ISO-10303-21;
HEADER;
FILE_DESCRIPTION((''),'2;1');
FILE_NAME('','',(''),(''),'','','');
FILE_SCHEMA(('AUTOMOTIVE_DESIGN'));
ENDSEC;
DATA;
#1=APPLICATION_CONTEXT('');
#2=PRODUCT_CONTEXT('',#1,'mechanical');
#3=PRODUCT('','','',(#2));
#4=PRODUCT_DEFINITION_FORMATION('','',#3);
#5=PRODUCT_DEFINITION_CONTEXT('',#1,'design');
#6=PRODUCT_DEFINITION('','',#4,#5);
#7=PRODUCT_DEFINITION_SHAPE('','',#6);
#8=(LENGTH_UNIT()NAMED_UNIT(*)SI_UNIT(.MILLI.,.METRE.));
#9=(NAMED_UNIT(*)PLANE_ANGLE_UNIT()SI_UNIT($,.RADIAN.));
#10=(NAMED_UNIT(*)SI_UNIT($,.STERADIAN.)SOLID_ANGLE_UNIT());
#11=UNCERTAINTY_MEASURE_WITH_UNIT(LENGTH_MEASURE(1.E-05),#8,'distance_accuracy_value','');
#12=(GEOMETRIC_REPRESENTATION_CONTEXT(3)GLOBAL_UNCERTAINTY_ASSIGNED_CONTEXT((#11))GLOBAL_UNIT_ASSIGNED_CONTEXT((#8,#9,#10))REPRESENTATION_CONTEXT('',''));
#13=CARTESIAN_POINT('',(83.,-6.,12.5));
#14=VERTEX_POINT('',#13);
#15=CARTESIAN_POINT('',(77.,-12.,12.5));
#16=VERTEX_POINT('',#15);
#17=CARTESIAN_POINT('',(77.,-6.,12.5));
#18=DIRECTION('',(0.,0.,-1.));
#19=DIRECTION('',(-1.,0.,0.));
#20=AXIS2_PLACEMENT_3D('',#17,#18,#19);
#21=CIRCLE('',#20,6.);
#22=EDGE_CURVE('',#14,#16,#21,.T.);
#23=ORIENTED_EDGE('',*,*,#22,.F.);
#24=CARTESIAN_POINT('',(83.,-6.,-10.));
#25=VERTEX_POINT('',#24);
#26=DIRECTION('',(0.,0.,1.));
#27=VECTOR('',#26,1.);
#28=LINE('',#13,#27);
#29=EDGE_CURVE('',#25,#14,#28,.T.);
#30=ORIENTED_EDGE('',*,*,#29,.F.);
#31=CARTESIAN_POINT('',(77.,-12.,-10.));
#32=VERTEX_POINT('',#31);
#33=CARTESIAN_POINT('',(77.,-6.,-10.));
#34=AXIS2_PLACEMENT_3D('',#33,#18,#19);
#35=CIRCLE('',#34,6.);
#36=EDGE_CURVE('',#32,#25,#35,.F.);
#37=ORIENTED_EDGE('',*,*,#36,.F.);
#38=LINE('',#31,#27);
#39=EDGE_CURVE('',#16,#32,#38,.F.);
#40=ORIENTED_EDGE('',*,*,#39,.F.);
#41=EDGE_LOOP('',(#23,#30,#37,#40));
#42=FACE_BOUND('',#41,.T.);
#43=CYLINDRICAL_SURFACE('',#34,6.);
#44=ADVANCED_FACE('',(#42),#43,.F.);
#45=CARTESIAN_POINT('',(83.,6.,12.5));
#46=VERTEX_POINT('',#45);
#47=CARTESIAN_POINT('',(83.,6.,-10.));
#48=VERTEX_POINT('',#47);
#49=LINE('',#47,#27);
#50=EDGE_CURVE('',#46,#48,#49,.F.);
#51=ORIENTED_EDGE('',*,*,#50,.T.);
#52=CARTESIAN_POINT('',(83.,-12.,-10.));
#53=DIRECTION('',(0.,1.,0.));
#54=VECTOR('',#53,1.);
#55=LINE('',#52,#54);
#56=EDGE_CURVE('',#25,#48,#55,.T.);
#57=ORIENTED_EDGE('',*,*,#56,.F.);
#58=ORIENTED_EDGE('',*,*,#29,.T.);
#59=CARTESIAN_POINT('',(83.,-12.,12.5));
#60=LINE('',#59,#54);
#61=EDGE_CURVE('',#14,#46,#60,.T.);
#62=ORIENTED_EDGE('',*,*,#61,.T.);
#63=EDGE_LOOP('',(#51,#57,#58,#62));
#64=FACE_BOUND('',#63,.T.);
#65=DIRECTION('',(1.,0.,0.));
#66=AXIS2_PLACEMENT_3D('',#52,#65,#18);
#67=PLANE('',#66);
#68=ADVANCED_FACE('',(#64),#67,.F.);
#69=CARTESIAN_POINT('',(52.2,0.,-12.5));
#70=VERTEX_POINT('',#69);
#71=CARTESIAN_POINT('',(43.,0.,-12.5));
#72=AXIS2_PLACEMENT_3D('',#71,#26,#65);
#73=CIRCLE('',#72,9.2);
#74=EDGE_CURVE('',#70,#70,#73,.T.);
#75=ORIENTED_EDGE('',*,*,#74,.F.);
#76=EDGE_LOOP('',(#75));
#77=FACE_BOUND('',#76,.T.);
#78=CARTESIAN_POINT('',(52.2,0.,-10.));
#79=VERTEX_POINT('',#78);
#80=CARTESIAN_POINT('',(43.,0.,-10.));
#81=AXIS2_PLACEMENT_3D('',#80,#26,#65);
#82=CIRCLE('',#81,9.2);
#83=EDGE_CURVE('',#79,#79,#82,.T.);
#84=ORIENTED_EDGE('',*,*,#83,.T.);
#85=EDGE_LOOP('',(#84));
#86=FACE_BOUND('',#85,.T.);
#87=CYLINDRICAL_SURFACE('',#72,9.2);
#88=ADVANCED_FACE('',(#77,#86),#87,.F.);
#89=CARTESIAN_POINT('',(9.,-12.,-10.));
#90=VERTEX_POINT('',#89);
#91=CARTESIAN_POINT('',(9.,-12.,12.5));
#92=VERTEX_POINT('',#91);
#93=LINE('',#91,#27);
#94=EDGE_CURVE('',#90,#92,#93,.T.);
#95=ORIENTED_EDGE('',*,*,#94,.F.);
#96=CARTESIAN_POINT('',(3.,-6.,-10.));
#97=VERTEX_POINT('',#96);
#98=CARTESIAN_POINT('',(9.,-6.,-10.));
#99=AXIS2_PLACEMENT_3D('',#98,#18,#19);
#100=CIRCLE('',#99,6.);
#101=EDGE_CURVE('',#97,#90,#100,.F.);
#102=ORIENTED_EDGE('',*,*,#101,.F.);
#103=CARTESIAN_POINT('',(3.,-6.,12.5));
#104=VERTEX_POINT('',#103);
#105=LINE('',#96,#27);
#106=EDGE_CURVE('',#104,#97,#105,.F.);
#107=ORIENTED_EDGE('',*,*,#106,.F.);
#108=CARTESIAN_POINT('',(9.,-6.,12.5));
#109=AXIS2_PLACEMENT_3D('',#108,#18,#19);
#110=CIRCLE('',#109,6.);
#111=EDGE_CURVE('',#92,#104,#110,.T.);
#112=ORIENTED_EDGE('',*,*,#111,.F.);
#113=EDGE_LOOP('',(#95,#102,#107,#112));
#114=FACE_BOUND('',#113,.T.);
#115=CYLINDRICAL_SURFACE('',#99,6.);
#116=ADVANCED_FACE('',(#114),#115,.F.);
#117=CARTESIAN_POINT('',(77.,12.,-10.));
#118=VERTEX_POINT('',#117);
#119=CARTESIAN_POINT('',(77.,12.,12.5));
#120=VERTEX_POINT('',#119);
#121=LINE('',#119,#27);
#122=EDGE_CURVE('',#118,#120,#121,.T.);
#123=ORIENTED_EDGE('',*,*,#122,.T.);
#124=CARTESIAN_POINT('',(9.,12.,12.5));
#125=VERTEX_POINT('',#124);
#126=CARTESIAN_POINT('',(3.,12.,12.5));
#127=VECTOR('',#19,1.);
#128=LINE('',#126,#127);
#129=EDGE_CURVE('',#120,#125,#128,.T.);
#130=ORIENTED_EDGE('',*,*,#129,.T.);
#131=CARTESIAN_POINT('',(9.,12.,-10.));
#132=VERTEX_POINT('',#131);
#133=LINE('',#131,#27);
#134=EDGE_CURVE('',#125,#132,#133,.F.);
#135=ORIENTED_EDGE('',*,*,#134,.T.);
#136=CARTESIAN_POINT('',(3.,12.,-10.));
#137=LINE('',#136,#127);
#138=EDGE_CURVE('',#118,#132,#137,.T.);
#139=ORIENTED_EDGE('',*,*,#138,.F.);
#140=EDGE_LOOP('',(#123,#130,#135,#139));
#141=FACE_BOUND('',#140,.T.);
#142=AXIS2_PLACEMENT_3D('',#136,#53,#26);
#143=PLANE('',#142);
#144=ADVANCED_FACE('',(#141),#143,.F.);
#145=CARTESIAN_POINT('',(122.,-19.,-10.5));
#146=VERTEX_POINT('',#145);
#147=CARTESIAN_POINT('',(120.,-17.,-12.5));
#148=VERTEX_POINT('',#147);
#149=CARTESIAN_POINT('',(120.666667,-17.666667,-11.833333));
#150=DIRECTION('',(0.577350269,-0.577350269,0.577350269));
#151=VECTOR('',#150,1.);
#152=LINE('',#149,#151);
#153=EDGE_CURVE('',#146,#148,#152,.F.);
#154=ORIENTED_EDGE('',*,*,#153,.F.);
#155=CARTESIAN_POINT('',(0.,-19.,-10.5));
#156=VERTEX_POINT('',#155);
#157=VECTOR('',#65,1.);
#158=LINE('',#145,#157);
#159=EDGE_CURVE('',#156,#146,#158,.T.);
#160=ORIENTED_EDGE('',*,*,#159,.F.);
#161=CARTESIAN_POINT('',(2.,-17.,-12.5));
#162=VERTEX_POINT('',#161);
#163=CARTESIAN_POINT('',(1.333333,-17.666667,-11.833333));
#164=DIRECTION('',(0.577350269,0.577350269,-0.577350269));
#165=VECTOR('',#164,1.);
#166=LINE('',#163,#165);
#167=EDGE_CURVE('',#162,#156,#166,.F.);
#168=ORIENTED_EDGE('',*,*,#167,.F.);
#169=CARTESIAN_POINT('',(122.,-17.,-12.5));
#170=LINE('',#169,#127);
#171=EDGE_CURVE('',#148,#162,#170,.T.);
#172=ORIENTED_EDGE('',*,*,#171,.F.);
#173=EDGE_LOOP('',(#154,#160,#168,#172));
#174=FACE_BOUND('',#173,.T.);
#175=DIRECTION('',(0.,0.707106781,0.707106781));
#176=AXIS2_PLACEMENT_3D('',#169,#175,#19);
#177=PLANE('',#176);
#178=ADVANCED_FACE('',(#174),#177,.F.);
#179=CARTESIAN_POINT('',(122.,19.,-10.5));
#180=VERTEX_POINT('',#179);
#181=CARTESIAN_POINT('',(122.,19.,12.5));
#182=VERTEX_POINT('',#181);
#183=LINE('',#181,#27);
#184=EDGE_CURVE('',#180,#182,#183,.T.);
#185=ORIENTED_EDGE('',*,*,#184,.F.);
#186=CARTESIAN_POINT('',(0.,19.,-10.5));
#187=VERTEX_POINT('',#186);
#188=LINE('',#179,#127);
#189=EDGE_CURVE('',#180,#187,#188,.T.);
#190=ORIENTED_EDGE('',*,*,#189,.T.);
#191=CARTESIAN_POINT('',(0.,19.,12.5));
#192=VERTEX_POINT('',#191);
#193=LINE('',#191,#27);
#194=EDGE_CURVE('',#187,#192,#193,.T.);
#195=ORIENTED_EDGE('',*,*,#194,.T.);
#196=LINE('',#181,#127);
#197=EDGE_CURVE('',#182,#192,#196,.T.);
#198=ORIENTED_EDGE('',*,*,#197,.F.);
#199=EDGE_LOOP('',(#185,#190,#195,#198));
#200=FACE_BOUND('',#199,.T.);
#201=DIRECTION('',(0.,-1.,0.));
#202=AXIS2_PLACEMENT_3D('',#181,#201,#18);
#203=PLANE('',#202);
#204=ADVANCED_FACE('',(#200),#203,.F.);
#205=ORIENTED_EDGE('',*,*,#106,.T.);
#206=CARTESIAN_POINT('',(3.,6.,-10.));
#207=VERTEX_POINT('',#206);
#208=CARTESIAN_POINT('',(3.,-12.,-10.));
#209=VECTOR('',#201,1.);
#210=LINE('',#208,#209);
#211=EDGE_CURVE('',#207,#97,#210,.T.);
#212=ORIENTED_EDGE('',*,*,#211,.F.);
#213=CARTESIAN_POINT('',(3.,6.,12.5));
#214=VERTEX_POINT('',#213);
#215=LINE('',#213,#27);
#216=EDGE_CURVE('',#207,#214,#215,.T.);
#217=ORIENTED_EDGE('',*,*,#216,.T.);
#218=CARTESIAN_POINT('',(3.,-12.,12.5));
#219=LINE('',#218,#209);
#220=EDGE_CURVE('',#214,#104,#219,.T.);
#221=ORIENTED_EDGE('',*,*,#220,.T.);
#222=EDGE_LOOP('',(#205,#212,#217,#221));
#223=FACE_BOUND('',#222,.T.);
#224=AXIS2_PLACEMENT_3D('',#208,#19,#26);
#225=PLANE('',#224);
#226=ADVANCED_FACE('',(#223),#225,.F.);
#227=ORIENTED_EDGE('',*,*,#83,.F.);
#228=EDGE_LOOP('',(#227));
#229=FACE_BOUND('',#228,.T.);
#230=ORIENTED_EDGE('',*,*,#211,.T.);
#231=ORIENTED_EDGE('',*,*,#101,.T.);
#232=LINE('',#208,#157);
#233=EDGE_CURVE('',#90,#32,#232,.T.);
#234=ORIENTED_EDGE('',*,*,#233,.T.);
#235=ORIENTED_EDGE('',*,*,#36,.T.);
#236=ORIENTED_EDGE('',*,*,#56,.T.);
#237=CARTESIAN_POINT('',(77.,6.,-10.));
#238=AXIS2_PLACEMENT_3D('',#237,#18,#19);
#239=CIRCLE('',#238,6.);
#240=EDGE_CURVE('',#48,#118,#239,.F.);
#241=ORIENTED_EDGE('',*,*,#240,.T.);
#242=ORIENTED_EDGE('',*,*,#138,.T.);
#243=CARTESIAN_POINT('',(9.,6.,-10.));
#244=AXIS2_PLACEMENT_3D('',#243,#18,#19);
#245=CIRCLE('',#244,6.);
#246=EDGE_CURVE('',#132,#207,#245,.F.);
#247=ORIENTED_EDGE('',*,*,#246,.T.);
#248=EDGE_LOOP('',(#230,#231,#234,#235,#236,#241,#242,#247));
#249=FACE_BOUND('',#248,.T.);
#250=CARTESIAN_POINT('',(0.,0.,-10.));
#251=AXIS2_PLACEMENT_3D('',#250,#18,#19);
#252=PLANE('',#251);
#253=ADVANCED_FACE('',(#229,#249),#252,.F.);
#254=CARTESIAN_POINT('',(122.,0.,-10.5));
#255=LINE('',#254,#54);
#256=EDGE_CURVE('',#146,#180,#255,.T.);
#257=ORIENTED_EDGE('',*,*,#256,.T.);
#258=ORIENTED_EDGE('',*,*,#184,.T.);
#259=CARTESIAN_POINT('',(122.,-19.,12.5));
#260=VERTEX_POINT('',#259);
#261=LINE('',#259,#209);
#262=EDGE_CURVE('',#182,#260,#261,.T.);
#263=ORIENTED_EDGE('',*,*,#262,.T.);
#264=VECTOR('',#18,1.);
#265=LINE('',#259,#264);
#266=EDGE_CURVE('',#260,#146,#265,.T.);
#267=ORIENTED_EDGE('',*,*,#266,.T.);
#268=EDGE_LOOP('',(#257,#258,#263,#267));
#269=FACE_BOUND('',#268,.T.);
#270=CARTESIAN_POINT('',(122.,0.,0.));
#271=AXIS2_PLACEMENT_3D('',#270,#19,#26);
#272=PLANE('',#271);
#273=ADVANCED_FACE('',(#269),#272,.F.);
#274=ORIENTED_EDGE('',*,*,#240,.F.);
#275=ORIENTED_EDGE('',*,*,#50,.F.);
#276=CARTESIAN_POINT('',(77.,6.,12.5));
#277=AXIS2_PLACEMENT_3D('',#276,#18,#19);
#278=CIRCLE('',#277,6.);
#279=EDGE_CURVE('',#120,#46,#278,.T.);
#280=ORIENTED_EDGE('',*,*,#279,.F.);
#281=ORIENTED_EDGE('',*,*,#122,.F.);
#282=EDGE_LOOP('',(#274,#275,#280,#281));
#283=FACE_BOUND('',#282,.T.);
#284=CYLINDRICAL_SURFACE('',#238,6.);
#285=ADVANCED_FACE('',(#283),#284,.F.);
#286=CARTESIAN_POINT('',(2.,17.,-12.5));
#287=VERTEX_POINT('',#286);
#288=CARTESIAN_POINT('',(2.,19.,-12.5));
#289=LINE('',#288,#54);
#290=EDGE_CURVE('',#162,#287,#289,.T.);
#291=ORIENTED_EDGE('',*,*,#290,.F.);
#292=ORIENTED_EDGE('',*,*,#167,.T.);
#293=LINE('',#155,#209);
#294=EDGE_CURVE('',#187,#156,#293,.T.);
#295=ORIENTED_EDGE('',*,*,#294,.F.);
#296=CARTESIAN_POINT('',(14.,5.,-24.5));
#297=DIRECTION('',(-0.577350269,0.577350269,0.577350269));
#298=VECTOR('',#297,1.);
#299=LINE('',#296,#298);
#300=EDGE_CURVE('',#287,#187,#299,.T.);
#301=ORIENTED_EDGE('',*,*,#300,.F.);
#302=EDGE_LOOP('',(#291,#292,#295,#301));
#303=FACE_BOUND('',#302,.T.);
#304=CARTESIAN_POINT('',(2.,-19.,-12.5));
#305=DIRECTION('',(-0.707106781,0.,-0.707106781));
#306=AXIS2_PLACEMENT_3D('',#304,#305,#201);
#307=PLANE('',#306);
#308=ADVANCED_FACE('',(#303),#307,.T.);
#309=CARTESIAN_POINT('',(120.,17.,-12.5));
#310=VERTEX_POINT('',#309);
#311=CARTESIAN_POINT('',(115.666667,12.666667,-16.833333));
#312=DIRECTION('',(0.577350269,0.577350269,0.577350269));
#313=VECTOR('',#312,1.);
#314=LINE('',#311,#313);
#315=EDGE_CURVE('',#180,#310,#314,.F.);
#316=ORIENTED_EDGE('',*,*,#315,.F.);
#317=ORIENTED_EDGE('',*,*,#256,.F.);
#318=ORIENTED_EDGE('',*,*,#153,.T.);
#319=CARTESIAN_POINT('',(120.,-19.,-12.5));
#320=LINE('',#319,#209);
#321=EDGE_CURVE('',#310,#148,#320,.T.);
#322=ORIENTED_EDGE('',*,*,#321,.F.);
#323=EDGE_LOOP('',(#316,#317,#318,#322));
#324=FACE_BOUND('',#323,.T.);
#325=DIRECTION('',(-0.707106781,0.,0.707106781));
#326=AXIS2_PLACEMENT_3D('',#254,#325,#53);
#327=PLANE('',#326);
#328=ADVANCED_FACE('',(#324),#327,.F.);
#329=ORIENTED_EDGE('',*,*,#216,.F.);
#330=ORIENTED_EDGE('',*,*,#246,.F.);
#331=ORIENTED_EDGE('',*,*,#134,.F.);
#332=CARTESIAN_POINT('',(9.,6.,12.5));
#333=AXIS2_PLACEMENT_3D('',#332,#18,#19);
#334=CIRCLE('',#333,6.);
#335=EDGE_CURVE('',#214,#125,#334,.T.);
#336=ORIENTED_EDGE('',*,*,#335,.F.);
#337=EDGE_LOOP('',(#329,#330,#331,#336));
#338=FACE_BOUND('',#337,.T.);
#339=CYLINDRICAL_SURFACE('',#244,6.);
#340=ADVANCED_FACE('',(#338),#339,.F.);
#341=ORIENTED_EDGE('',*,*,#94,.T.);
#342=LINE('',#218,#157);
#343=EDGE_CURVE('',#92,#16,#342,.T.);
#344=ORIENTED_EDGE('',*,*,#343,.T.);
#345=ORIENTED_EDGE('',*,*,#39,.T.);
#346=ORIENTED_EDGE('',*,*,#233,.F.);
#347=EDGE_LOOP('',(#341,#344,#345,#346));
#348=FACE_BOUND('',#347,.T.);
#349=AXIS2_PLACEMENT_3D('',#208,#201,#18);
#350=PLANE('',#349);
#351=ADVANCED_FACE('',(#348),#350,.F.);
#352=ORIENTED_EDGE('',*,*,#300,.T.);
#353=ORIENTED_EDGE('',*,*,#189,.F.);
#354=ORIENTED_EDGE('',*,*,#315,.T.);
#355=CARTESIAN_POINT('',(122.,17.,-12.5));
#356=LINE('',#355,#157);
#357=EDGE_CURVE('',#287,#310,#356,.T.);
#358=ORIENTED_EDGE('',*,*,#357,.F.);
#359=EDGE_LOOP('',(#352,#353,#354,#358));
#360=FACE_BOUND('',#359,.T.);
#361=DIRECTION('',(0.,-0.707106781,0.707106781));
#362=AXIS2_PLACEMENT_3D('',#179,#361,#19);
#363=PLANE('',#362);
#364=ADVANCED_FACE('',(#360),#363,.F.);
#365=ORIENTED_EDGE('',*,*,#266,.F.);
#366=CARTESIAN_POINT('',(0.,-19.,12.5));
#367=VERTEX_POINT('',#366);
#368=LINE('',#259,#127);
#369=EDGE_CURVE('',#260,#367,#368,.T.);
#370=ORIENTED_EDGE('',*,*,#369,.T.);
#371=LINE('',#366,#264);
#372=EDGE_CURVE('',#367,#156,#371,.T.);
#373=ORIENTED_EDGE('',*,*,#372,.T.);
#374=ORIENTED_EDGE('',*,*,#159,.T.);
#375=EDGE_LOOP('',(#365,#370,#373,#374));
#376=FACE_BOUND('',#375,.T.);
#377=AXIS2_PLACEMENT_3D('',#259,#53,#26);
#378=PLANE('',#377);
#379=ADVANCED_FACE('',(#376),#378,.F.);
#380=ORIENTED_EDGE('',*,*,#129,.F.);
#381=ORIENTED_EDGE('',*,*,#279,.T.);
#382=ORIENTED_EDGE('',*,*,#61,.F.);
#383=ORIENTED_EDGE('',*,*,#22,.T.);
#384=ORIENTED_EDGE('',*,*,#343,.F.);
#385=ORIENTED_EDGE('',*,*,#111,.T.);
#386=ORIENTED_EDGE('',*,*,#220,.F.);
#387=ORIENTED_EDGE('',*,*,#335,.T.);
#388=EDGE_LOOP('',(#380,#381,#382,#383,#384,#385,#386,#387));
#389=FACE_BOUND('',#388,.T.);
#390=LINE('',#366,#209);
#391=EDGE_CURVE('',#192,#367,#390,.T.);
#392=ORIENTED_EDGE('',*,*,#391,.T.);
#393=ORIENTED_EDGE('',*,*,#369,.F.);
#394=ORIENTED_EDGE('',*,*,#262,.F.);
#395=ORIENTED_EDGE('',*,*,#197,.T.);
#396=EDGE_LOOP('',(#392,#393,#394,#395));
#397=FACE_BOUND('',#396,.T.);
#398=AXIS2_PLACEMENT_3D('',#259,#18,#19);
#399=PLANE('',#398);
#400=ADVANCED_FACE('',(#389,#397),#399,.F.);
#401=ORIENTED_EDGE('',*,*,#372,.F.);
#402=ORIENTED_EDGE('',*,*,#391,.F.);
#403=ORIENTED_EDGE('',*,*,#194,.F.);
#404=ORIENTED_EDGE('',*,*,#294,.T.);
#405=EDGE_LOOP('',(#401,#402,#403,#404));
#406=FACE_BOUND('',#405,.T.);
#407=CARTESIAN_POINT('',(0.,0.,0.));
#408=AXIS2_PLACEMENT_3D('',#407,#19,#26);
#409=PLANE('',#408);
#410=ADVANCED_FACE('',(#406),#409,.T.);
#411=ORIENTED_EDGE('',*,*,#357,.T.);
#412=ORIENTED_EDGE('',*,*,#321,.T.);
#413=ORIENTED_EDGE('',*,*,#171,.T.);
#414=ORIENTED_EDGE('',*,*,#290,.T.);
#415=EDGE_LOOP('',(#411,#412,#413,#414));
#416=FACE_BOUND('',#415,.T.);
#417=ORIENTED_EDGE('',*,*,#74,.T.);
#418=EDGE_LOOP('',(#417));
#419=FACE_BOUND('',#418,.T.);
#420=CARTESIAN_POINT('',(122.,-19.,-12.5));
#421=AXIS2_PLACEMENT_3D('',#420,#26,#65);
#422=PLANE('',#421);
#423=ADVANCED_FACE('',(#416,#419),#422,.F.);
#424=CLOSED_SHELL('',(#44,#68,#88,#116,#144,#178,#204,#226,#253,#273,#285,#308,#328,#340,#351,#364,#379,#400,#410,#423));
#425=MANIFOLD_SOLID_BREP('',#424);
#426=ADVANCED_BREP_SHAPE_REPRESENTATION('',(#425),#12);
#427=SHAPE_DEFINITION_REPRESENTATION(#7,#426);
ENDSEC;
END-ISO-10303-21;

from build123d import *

# Parameters (mm, degrees)
SKETCH1_W           = 25
SKETCH1_H           = 38
BOSS_EXTRUDE1_DEPTH = 122
SKETCH2_W           = 80
SKETCH2_H           = 24
CUT_EXTRUDE1_DEPTH  = 22.5
FILLET1_R           = 6
FILLET2_R           = 6
FILLET3_R           = 6
FILLET4_R           = 6
SKETCH3_R           = 9.2
CUT_EXTRUDE2_DEPTH  = 126.503984001
CHAMFER2_SIZE       = 2


with BuildPart() as part:
    # Sketch1 → Boss-Extrude1 (new body)
    with BuildSketch(Plane(origin=(0, 0, 0), x_dir=(0, 0, -1), z_dir=(1, 0, 0))):
        Rectangle(SKETCH1_W, SKETCH1_H)
    extrude(amount=BOSS_EXTRUDE1_DEPTH)

    # Sketch2 → Cut-Extrude1 (cut)
    with BuildSketch(Plane.XY.offset(12.5)):
        with Locations((43, 0)):
            Rectangle(SKETCH2_W, SKETCH2_H)
    extrude(amount=-CUT_EXTRUDE1_DEPTH, mode=Mode.SUBTRACT)

    # Fillet1
    fillet1_edges = [part.edges().sort_by_distance(p)[0] for p in [
        (3, 12, 1.25),
    ]]
    fillet(fillet1_edges, radius=FILLET1_R)

    # Fillet2
    fillet2_edges = [part.edges().sort_by_distance(p)[0] for p in [
        (3, -12, 1.25),
    ]]
    fillet(fillet2_edges, radius=FILLET2_R)

    # Fillet3
    fillet3_edges = [part.edges().sort_by_distance(p)[0] for p in [
        (83, -12, 1.25),
    ]]
    fillet(fillet3_edges, radius=FILLET3_R)

    # Fillet4
    fillet4_edges = [part.edges().sort_by_distance(p)[0] for p in [
        (83, 12, 1.25),
    ]]
    fillet(fillet4_edges, radius=FILLET4_R)

    # Sketch3 → Cut-Extrude2 (cut, through all)
    with BuildSketch(Plane.XY.offset(-10)):
        with Locations((43, 0)):
            Circle(SKETCH3_R)
    extrude(amount=-CUT_EXTRUDE2_DEPTH, mode=Mode.SUBTRACT)

    # Chamfer2
    chamfer2_edges = [part.edges().sort_by_distance(p)[0] for p in [
        (122, 0, -12.5),
        (0, 0, -12.5),
        (61, -19, -12.5),
        (61, 19, -12.5),
    ]]
    chamfer(chamfer2_edges, length=CHAMFER2_SIZE)


solid = part.part
